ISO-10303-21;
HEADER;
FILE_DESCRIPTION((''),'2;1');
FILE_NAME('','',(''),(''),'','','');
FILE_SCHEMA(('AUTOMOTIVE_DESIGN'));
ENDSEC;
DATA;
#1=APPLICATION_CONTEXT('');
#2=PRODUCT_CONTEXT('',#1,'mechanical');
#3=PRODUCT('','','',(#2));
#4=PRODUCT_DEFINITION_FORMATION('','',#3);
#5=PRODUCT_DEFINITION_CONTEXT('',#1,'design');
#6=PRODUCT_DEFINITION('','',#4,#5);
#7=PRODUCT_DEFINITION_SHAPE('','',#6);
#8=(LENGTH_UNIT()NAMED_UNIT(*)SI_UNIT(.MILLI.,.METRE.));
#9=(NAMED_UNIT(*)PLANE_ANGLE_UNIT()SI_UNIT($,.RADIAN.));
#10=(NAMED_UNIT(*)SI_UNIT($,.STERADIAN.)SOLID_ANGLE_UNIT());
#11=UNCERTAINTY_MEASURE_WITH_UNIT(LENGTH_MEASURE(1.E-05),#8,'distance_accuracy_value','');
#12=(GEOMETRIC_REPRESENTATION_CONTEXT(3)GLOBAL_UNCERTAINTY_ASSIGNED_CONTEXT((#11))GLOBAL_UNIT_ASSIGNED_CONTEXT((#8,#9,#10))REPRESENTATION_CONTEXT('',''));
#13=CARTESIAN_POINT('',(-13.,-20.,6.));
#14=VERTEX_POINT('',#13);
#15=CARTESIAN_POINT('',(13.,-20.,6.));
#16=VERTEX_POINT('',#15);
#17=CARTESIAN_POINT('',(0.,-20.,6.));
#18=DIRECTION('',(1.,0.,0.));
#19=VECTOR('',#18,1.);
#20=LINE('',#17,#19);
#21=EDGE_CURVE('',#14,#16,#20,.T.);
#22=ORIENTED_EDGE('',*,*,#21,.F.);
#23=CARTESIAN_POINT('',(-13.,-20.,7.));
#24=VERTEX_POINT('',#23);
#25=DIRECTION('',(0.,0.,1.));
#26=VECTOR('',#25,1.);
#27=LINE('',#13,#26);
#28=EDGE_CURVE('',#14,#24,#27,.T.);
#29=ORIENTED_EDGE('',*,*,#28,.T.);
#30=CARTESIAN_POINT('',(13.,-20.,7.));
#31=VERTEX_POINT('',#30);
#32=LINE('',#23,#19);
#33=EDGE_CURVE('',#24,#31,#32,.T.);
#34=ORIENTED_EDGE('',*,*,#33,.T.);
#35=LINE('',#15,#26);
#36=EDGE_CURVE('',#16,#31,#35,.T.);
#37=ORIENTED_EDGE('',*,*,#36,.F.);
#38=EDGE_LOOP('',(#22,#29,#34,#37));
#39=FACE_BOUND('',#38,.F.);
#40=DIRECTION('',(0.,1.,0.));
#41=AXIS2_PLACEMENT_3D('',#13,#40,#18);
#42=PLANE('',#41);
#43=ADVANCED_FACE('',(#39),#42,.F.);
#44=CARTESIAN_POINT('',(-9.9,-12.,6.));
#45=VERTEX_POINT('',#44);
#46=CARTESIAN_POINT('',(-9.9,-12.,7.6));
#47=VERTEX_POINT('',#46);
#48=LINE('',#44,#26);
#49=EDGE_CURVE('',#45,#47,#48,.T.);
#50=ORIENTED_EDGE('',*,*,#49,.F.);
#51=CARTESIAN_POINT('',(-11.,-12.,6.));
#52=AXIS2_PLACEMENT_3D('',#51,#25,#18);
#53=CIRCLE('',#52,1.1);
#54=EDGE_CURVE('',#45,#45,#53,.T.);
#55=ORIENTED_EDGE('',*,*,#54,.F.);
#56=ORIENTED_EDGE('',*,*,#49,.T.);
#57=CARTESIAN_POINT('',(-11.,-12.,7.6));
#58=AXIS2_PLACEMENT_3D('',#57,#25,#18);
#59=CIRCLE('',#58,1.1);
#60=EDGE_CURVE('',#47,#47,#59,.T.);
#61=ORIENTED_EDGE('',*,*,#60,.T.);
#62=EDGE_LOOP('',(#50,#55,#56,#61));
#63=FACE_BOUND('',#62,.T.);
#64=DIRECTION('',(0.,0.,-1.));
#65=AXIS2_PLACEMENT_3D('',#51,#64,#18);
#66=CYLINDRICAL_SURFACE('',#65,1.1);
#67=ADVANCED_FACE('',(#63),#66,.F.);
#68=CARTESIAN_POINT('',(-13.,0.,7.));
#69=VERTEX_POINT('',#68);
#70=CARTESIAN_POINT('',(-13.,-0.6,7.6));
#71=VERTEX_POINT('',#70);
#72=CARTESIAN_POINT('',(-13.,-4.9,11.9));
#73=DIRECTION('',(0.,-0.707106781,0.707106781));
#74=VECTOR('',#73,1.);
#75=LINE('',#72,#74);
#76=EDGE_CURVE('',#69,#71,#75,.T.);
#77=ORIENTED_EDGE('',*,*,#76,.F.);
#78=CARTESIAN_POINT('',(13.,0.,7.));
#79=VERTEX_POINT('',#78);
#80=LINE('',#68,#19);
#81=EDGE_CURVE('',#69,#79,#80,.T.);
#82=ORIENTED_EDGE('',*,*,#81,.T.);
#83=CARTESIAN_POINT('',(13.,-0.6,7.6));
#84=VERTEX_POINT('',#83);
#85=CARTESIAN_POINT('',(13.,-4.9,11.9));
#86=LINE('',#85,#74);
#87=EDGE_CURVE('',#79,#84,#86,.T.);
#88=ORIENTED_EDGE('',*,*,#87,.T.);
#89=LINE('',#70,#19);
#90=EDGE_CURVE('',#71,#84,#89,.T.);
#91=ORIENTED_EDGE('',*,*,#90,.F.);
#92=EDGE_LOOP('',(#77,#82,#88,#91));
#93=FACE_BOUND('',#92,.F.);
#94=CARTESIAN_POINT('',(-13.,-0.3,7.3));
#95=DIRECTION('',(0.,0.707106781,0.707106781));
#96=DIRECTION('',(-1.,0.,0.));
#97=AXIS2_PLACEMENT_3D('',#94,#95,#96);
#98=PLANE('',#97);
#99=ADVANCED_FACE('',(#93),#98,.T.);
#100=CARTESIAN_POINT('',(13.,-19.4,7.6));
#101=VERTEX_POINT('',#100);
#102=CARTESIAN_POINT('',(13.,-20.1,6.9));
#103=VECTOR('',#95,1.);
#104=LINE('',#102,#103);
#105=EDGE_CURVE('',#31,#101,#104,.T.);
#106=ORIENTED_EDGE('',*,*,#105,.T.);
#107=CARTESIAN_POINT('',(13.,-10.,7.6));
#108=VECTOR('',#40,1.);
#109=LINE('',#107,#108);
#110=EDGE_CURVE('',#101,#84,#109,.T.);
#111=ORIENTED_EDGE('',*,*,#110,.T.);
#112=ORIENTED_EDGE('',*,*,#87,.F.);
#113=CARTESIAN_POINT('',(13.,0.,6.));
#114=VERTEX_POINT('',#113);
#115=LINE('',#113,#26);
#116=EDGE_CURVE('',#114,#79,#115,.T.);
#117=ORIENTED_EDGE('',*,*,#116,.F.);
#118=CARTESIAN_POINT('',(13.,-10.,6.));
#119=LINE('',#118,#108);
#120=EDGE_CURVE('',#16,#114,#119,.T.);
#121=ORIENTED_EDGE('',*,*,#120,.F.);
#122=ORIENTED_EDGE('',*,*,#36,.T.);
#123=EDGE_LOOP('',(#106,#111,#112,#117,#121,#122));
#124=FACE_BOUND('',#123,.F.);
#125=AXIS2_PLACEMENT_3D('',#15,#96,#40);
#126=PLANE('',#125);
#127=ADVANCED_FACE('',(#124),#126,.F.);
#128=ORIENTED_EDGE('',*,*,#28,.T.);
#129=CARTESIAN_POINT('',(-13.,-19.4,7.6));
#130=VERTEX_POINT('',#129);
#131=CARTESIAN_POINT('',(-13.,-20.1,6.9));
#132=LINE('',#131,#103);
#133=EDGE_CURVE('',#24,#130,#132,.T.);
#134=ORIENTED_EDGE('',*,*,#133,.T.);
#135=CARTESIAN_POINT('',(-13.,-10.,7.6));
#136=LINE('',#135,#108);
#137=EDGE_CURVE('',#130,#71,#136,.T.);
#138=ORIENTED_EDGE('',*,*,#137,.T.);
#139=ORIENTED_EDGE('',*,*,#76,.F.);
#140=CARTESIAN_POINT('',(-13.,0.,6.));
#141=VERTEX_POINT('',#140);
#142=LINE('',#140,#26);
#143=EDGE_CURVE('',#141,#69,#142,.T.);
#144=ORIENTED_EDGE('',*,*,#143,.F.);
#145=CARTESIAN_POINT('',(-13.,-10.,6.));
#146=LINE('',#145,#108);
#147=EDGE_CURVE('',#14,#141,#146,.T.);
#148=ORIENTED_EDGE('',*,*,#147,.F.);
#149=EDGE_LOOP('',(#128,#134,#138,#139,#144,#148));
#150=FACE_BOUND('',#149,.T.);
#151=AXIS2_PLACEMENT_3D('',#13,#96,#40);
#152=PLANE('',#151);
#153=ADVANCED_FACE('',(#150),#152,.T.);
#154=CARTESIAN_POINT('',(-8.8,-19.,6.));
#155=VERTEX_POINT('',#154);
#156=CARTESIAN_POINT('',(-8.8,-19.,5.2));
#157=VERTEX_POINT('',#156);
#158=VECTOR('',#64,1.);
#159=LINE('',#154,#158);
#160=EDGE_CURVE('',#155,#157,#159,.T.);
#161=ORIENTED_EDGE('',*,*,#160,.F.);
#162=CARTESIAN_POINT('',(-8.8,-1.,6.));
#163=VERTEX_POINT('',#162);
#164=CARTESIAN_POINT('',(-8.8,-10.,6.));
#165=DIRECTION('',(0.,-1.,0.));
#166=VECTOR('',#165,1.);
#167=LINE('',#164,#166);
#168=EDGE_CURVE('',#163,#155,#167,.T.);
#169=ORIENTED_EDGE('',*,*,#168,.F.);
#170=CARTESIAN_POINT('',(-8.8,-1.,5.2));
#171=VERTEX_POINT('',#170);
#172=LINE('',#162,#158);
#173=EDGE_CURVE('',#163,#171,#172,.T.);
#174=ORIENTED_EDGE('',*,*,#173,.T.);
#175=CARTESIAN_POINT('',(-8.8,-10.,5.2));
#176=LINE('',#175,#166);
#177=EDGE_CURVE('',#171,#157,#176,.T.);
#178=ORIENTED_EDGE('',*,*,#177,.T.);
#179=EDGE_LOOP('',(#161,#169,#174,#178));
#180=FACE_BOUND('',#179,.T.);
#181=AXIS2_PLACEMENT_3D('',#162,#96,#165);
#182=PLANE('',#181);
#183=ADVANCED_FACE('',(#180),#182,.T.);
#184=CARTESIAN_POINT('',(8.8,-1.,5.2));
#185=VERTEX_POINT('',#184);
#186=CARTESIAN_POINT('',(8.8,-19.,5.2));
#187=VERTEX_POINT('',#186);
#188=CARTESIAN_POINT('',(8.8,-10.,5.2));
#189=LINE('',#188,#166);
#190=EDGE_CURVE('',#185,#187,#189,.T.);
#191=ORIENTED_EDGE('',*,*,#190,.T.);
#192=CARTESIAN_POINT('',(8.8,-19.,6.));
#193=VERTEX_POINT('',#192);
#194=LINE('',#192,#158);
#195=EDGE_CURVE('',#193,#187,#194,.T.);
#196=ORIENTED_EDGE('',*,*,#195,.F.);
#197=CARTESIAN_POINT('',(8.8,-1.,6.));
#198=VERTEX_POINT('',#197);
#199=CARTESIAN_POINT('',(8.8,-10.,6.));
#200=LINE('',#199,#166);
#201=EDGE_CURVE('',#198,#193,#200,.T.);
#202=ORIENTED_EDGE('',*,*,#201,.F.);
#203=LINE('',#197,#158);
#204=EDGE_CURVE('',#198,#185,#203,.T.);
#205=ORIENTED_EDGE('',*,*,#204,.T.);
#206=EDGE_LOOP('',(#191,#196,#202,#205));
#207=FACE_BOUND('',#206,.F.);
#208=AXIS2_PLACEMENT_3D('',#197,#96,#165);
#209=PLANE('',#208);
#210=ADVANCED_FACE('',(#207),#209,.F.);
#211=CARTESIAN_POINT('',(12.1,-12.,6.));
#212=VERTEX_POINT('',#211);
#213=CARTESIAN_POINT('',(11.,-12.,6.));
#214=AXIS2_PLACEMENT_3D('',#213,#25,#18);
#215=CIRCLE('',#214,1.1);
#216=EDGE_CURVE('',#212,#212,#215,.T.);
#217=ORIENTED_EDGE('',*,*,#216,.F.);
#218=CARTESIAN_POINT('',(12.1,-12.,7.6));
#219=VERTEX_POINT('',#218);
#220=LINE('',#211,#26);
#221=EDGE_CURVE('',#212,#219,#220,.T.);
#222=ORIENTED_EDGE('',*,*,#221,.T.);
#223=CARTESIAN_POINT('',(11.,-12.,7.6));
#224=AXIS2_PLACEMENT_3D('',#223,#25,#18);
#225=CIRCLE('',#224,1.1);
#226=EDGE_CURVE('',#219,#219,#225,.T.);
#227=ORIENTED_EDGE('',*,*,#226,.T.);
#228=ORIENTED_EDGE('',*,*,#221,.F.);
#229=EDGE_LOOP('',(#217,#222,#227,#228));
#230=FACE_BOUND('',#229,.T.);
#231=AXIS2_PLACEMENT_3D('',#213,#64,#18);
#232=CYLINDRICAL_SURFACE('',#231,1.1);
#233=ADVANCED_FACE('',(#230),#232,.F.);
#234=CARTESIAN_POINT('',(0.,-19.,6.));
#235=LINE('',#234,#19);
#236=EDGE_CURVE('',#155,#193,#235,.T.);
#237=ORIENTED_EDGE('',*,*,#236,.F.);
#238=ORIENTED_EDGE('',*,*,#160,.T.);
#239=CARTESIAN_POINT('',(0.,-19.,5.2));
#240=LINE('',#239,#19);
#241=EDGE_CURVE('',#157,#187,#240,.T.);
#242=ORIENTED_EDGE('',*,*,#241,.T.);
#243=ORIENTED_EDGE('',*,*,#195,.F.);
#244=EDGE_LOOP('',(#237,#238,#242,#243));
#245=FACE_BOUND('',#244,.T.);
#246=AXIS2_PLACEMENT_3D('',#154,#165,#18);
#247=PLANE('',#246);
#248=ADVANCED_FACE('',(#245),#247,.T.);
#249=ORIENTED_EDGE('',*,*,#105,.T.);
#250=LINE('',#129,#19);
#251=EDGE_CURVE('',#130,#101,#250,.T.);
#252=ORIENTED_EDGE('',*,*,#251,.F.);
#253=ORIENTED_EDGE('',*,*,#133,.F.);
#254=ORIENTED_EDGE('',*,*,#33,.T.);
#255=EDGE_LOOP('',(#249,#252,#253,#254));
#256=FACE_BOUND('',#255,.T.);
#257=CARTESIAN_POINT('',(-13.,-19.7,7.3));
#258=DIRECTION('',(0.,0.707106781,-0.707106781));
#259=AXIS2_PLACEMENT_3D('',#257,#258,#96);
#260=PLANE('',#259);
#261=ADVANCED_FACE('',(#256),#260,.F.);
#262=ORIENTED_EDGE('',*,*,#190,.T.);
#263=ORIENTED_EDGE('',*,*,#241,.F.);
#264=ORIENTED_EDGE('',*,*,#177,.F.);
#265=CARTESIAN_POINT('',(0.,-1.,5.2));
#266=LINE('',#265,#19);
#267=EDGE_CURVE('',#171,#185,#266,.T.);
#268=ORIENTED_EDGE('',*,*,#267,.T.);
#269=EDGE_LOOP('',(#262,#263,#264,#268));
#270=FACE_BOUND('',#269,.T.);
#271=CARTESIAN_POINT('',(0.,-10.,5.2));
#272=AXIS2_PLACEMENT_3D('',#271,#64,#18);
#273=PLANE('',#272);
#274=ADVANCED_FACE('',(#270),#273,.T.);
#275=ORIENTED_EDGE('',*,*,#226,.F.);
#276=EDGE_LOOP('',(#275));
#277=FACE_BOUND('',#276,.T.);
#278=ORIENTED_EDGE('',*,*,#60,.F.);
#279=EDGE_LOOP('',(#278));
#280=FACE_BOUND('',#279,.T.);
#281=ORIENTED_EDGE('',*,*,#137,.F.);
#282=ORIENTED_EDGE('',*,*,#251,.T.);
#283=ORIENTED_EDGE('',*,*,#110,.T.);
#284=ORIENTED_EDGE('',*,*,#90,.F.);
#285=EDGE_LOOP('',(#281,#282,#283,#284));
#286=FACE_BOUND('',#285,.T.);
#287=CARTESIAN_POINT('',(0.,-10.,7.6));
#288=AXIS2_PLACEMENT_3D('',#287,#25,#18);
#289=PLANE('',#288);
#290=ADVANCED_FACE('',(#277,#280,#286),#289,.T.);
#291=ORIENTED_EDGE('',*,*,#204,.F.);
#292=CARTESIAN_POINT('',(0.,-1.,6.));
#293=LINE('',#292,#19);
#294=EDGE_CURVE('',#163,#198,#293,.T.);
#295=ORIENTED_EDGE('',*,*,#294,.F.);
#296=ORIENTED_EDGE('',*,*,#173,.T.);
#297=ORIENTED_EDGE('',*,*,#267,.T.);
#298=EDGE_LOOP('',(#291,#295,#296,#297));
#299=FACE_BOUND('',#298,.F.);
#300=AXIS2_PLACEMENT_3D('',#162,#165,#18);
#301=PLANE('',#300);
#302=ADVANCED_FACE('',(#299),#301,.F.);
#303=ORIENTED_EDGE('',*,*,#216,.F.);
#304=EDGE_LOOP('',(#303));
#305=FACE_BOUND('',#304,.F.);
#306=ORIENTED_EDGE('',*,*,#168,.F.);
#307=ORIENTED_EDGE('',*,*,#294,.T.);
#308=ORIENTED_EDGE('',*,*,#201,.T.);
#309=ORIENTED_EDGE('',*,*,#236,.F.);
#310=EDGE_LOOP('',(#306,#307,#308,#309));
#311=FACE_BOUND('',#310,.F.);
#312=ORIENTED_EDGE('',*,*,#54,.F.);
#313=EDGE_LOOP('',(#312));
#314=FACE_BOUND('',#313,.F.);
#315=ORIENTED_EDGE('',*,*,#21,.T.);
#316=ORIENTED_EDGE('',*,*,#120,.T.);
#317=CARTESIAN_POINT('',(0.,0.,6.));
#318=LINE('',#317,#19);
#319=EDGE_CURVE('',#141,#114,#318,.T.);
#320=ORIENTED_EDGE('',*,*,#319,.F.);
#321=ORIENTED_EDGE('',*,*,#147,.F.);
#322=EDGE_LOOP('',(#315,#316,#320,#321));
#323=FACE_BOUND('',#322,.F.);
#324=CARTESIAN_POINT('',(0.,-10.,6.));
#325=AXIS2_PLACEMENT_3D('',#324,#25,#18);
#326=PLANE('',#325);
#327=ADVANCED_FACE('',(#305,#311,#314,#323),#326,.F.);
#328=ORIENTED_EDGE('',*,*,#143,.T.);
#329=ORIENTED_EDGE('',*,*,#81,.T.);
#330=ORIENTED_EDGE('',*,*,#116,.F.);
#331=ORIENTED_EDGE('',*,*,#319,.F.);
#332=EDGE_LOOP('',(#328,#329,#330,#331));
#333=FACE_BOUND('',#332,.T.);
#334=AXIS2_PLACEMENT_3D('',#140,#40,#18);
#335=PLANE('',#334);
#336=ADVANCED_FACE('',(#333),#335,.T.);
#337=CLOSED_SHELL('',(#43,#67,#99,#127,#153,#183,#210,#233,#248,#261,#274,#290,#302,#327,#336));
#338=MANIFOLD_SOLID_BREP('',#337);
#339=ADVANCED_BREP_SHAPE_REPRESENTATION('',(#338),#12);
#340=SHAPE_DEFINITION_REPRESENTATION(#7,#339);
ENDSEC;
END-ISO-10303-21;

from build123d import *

# Parameters (mm, degrees)
SKETCH018_W  = 26
SKETCH018_H  = 20
SKETCH018_R  = 1.1
PAD011_DEPTH = 1.6
SKETCH019_W  = 17.6
SKETCH019_H  = 18
PAD012_DEPTH = 0.8
CHAMFER_SIZE = 0.6


with BuildPart() as part:
    # Sketch018 → Pad011 (new body)
    with BuildSketch(Plane.XY):
        Rectangle(SKETCH018_W, SKETCH018_H)
        with Locations((-11, -2)):
            Circle(SKETCH018_R, mode=Mode.SUBTRACT)
        with Locations((11, -2)):
            Circle(SKETCH018_R, mode=Mode.SUBTRACT)
    extrude(amount=PAD011_DEPTH)

    # Sketch019 (on Face7 of Pad011) → Pad012 (join)
    with BuildSketch(Plane(origin=(0, 0, 0), x_dir=(1, 0, 0), z_dir=(0, 0, -1))):
        Rectangle(SKETCH019_W, SKETCH019_H)
    extrude(amount=PAD012_DEPTH)

    # Chamfer
    chamfer_edges = [part.edges().sort_by_distance(p)[0] for p in [
        (0, -10, 1.6),
        (0, 10, 1.6),
    ]]
    chamfer(chamfer_edges, length=CHAMFER_SIZE)


with BuildPart() as part_1:
    # Body005 placement: moved
    add(part.part.moved(Location((0, -10, 6))))


solid = part_1.part
